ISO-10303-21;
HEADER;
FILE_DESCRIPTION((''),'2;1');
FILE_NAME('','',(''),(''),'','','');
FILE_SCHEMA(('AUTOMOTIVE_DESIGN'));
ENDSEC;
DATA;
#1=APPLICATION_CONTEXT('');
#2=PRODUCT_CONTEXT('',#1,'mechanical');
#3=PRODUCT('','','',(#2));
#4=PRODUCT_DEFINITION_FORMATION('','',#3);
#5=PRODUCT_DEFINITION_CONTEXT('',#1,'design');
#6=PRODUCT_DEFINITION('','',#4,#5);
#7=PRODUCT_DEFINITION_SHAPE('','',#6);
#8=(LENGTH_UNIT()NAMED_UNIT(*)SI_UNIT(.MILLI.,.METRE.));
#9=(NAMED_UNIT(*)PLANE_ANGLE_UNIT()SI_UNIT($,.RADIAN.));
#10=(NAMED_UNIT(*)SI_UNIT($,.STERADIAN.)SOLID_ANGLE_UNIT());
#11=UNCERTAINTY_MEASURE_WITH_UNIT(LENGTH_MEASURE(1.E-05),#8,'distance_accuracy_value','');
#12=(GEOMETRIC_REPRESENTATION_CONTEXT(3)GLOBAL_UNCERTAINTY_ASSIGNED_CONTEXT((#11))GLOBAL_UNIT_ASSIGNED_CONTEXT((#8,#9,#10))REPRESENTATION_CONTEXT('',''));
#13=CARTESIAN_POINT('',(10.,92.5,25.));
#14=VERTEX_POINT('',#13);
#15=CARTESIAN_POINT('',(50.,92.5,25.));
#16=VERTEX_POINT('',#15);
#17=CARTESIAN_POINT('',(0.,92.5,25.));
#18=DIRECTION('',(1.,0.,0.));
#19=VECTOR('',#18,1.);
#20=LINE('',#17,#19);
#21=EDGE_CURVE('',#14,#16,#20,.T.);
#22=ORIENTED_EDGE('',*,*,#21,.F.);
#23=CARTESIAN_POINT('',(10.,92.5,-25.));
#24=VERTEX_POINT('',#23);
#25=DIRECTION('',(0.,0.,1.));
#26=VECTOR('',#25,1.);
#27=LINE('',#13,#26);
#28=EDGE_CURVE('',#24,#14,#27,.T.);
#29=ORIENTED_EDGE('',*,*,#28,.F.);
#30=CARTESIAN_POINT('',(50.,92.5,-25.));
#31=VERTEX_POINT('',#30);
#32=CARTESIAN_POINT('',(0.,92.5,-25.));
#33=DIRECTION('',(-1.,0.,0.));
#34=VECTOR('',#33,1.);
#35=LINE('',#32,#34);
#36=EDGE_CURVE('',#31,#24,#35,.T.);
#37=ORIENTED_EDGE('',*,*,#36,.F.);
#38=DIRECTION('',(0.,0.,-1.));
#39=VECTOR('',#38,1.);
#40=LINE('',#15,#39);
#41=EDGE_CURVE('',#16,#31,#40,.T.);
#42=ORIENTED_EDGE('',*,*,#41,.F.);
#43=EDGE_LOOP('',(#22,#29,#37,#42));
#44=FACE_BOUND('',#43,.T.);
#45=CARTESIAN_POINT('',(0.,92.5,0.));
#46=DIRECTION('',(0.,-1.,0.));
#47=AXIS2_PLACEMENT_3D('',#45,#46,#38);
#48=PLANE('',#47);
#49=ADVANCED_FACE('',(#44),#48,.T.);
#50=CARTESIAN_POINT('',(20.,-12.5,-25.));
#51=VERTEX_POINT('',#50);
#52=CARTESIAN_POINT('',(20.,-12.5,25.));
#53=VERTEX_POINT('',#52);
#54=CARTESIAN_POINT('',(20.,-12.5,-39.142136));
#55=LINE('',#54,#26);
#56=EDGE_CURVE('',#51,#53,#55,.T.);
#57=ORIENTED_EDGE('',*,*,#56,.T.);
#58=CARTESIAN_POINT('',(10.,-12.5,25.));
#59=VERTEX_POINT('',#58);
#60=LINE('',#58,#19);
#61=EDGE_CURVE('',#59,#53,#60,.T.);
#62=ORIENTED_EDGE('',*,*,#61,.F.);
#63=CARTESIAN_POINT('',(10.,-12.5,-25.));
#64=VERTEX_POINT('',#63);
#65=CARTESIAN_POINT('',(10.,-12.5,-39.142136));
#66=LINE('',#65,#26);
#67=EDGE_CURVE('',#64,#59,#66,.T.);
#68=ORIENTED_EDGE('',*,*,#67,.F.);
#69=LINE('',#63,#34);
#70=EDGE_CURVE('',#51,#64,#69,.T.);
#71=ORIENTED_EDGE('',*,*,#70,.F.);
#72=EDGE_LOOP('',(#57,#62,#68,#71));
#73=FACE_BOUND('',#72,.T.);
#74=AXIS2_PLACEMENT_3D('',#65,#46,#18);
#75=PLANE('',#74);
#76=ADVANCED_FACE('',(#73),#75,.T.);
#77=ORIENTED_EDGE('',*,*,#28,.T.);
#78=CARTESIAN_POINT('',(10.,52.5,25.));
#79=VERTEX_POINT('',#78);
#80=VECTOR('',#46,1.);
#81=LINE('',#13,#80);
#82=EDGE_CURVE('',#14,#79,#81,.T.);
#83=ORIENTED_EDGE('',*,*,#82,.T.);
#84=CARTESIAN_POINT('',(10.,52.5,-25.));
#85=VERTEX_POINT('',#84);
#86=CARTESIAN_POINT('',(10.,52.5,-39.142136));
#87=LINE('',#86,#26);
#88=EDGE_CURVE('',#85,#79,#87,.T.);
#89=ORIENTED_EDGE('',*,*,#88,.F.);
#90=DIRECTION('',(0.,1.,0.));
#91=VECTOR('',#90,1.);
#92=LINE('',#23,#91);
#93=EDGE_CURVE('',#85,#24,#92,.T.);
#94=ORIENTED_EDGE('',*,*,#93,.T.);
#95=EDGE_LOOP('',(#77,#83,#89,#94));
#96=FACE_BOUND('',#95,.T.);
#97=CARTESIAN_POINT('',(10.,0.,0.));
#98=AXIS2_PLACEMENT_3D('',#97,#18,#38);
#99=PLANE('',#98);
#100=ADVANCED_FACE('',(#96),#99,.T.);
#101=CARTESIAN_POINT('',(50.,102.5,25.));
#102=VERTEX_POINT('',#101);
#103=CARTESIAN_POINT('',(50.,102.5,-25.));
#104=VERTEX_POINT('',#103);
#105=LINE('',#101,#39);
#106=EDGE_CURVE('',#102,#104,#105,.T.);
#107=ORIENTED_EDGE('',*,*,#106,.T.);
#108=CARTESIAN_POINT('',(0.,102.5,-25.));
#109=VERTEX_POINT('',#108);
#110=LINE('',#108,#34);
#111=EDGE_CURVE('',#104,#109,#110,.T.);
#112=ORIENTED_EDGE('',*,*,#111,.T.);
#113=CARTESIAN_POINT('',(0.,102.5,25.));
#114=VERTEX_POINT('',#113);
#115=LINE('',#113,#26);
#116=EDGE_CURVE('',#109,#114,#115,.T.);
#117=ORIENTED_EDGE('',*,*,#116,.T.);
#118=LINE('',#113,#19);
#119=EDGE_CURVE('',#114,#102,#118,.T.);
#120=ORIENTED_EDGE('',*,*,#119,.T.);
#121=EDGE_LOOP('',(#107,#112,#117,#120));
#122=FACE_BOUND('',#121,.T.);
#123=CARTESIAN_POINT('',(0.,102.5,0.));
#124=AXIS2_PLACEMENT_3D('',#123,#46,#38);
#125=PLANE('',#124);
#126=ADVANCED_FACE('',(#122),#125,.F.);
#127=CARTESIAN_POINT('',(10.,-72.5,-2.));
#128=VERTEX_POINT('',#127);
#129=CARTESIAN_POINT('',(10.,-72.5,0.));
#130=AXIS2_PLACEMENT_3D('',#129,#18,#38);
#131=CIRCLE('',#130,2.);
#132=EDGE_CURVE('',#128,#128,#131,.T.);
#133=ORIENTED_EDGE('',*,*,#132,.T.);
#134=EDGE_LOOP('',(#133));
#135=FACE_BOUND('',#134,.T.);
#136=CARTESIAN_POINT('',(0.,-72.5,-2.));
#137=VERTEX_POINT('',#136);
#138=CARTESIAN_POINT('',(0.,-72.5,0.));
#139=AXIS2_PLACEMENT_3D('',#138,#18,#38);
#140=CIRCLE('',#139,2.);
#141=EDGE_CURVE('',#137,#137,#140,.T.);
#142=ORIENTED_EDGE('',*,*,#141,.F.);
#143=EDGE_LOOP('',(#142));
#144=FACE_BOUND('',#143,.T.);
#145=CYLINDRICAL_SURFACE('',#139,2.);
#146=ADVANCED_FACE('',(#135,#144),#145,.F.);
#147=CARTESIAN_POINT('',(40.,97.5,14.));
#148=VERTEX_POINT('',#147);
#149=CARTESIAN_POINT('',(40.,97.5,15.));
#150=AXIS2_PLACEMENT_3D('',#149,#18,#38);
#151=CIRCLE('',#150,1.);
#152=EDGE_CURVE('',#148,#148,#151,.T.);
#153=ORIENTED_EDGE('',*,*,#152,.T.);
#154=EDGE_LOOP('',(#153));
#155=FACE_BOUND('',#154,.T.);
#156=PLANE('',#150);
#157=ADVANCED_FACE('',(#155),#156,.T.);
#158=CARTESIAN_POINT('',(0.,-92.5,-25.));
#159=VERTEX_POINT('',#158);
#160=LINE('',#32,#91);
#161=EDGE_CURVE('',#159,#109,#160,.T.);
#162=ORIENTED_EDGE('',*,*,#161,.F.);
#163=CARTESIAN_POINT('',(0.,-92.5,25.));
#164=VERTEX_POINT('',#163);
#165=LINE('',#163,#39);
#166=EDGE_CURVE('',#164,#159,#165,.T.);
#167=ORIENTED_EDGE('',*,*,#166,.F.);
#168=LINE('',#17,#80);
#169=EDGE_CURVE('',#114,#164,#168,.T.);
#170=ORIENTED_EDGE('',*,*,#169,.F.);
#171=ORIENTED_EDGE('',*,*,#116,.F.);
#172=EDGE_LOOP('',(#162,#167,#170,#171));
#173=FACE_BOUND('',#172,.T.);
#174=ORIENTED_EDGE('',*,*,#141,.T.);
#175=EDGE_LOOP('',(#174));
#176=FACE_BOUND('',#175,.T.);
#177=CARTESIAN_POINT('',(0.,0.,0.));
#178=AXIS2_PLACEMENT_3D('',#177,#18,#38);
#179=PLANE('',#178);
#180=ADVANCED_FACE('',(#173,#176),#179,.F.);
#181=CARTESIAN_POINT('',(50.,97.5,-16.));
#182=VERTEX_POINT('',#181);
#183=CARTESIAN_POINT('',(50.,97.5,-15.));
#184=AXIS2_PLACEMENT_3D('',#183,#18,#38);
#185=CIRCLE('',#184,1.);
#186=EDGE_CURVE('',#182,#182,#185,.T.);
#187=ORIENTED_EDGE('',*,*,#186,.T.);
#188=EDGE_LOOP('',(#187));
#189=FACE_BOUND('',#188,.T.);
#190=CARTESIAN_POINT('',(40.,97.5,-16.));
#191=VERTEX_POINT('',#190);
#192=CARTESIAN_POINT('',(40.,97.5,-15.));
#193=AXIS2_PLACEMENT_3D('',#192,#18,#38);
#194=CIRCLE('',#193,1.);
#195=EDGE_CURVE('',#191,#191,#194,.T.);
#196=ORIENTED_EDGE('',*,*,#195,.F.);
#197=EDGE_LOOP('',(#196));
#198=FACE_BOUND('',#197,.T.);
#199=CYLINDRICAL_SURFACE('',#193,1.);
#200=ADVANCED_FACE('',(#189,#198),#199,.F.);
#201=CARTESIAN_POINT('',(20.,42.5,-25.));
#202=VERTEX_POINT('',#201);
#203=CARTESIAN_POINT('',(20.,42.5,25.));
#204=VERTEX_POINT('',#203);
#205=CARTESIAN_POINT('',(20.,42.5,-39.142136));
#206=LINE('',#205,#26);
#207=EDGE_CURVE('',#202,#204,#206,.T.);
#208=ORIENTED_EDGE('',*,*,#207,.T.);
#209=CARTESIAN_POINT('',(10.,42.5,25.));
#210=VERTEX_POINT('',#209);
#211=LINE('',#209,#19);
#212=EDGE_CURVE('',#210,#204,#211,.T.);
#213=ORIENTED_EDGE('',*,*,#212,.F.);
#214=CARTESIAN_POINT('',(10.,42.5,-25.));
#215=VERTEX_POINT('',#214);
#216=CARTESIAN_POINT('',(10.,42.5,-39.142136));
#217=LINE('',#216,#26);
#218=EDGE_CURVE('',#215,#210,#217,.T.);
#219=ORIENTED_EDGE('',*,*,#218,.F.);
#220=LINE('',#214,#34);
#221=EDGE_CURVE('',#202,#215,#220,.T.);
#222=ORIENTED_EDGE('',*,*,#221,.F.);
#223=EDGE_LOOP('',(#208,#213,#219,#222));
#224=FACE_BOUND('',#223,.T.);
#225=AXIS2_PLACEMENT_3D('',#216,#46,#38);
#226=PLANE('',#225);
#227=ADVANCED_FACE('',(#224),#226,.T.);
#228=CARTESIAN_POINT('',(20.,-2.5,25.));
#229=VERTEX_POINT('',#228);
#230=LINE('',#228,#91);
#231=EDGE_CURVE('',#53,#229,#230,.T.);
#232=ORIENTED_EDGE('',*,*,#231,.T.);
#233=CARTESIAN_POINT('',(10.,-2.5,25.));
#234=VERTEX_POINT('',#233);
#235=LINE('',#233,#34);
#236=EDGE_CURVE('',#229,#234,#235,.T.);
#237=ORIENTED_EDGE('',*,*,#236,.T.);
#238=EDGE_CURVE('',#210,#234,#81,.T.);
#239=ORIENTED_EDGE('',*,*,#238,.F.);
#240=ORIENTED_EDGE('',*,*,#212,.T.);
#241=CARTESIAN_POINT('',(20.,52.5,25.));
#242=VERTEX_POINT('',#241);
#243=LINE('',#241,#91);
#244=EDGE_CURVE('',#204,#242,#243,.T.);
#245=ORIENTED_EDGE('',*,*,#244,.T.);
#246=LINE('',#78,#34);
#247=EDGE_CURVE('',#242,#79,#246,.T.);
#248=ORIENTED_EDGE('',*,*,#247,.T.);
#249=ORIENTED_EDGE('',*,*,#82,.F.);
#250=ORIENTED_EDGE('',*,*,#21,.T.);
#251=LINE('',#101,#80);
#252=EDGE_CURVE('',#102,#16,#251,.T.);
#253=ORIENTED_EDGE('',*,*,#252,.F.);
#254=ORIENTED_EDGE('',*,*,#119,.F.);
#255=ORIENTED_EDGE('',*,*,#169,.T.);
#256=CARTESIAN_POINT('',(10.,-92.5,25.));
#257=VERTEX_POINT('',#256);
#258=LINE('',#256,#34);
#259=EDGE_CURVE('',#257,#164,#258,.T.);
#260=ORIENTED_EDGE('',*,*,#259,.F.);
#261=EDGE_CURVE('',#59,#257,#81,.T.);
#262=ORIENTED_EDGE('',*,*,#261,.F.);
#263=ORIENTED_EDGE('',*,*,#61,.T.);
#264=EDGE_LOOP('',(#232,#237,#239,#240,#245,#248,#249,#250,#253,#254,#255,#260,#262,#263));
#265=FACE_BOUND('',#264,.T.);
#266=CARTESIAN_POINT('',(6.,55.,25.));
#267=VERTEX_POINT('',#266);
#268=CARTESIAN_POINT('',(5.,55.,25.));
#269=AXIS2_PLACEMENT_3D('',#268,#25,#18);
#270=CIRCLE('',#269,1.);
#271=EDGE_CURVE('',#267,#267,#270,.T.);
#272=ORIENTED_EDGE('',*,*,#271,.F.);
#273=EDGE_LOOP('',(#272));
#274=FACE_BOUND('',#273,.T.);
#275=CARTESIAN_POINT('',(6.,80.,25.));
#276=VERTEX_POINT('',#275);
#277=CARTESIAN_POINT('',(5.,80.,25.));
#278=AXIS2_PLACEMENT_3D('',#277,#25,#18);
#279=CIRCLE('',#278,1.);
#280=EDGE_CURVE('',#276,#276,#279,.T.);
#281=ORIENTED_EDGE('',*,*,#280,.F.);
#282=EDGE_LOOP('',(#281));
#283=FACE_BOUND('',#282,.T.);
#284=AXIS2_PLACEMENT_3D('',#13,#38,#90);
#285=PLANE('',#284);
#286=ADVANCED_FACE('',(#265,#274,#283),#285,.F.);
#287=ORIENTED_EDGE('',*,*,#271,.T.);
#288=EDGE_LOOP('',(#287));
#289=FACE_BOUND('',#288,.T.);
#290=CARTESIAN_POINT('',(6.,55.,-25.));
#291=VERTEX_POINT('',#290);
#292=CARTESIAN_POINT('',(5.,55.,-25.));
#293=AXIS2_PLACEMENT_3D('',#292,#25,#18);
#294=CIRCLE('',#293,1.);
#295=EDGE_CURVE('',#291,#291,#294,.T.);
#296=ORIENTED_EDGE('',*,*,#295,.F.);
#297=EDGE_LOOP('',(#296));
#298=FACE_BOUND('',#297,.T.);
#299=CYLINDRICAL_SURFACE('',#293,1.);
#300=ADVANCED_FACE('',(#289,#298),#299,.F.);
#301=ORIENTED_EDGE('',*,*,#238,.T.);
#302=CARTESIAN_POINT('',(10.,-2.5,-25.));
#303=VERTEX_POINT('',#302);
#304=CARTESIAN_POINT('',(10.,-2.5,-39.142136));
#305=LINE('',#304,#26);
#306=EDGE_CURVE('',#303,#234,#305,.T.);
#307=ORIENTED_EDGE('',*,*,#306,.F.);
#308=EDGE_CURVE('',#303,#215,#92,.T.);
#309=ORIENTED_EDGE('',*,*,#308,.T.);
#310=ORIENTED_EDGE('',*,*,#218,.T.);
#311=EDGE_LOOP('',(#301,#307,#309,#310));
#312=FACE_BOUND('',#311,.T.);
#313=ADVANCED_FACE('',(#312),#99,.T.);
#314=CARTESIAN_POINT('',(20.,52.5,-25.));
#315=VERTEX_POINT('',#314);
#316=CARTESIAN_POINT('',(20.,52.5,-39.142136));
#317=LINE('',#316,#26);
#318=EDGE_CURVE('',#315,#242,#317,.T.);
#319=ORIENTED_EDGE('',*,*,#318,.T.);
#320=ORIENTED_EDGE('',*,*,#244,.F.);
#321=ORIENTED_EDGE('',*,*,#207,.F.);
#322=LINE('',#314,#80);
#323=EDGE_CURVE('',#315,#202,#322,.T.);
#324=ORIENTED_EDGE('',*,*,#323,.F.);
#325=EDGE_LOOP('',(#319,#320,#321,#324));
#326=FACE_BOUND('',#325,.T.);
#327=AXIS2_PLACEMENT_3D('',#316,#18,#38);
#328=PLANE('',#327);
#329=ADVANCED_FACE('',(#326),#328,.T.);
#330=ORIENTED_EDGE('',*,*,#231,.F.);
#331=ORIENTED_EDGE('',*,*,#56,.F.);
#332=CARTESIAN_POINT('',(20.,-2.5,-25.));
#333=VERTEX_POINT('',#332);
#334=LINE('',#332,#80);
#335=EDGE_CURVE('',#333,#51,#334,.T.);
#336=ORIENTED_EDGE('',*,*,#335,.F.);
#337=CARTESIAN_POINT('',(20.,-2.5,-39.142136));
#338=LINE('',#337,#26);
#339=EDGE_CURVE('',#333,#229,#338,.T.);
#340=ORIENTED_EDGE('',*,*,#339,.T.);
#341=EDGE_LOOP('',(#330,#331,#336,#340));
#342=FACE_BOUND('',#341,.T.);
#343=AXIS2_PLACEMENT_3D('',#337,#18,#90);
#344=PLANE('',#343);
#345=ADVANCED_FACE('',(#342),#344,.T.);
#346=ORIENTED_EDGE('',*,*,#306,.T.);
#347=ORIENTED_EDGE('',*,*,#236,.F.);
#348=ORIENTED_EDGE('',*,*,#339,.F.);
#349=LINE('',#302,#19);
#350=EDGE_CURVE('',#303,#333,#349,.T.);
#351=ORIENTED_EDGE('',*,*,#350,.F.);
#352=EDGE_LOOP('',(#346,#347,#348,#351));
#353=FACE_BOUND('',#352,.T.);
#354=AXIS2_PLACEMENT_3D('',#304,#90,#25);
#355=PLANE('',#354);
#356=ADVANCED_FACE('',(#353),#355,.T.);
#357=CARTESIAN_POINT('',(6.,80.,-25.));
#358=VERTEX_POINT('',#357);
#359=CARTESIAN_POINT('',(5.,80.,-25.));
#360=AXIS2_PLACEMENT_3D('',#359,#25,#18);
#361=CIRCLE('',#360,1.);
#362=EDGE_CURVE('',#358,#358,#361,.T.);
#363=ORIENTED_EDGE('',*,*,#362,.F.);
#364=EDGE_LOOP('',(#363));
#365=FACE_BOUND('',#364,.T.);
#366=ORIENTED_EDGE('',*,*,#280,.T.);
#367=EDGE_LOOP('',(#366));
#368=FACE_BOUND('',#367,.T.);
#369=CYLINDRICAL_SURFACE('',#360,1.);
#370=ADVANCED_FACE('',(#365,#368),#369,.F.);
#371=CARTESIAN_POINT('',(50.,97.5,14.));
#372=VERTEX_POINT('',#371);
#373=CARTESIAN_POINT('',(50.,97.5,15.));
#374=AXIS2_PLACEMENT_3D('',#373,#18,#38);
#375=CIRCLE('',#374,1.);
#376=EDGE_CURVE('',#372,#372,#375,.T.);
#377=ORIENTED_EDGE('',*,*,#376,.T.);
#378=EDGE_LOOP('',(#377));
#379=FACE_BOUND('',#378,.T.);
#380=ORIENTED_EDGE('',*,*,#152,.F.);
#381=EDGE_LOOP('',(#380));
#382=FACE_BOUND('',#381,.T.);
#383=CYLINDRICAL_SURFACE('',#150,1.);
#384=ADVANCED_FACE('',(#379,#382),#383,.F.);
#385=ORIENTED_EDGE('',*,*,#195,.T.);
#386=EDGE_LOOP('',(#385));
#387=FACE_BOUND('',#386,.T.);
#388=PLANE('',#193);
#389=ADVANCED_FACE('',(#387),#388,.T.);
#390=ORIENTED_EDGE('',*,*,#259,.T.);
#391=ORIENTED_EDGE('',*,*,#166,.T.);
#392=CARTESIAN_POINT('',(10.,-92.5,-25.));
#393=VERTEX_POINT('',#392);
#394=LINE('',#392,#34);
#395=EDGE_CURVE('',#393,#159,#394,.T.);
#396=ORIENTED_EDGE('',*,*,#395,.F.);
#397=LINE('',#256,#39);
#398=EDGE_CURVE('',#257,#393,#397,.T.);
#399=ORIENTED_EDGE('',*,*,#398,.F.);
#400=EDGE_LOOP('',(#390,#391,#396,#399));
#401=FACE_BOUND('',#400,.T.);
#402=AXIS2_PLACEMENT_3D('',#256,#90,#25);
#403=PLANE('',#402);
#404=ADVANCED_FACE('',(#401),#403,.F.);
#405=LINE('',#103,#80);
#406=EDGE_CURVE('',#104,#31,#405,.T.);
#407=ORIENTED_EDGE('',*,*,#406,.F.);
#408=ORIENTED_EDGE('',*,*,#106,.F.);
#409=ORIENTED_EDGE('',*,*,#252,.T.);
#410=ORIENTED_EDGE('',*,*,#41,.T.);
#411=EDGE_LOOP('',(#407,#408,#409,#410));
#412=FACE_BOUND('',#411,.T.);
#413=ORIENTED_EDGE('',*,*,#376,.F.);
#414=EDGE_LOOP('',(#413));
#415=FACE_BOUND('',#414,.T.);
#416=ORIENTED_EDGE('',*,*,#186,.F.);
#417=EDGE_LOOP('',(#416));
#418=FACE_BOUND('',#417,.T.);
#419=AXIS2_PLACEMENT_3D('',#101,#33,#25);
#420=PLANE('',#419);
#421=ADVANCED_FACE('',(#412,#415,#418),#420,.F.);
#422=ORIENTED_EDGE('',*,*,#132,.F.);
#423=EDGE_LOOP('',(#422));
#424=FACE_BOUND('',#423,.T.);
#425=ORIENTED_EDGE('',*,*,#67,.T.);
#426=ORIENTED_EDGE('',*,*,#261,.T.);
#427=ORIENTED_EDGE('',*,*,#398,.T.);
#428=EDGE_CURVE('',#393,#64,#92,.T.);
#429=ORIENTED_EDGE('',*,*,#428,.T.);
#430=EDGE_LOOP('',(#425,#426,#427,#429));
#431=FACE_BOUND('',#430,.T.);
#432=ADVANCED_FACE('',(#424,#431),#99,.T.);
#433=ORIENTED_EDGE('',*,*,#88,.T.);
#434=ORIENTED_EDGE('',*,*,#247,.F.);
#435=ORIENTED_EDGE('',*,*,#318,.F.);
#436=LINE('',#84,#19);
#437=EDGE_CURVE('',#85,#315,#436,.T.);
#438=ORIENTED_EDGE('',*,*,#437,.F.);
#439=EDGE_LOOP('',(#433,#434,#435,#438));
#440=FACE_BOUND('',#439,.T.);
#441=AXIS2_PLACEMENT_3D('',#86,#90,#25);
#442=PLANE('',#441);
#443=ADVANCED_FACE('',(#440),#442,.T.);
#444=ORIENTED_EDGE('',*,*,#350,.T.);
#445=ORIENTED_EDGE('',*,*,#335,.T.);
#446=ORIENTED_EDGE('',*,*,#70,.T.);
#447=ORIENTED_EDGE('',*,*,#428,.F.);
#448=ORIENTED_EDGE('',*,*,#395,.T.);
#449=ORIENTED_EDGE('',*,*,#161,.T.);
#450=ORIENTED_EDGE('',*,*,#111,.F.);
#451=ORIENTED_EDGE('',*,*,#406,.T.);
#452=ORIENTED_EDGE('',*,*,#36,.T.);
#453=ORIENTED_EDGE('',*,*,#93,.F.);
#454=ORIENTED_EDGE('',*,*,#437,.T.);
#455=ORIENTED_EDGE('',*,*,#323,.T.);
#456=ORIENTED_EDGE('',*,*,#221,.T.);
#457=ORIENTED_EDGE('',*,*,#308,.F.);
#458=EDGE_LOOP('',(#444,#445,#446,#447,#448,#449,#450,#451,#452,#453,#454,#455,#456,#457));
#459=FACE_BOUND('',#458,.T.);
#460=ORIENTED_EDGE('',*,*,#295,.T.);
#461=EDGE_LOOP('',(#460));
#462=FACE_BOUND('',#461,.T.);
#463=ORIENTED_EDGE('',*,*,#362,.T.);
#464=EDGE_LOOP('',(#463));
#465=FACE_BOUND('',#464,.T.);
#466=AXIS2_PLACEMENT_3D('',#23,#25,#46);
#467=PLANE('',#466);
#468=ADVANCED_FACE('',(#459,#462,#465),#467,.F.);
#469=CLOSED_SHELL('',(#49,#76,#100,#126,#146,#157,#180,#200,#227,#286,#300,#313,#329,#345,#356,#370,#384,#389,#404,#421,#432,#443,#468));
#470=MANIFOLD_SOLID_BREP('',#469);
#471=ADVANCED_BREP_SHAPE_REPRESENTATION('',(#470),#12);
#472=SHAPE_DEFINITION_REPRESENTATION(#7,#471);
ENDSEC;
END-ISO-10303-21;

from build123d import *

# Parameters (mm, degrees)
SKIZZE1_W                       = 50
SKIZZE1_H                       = 185
AUFSATZ_LINEAR_AUSTRAGEN1_DEPTH = 10
SKIZZE3_W                       = 10
SKIZZE3_H                       = 10
AUFSATZ_LINEAR_AUSTRAGEN3_DEPTH = 50
SKIZZE4_R                       = 2
SCHNITT_LINEAR_AUSTRAGEN1_DEPTH = 97.33924434
SKIZZE6_W                       = 50
SKIZZE6_H                       = 50
AUFSATZ_LINEAR_AUSTRAGEN4_DEPTH = 10
SKIZZE7_R                       = 1
SCHNITT_LINEAR_AUSTRAGEN2_DEPTH = 125.524094054
SKIZZE8_R                       = 1
SCHNITT_LINEAR_AUSTRAGEN3_DEPTH = 10


with BuildPart() as part:
    # Skizze1 → Aufsatz-Linear austragen1 (new body)
    with BuildSketch(Plane(origin=(0, 0, 0), x_dir=(0, 0, -1), z_dir=(1, 0, 0))):
        Rectangle(SKIZZE1_W, SKIZZE1_H)
    extrude(amount=AUFSATZ_LINEAR_AUSTRAGEN1_DEPTH)

    # Skizze3 → Aufsatz-Linear austragen3 (add)
    with BuildSketch(Plane.XY.offset(25)):
        with Locations((15, 47.5)):
            Rectangle(SKIZZE3_W, SKIZZE3_H)
        with Locations((15, -7.5)):
            Rectangle(SKIZZE3_W, SKIZZE3_H)
    extrude(amount=-AUFSATZ_LINEAR_AUSTRAGEN3_DEPTH)

    # Skizze4 → Schnitt-Linear austragen1 (cut, through all)
    with BuildSketch(Plane(origin=(10, 0, 0), x_dir=(0, 0, -1), z_dir=(1, 0, 0))):
        with Locations((0, -72.5)):
            Circle(SKIZZE4_R)
    extrude(amount=-SCHNITT_LINEAR_AUSTRAGEN1_DEPTH, mode=Mode.SUBTRACT)

    # Skizze6 → Aufsatz-Linear austragen4 (add)
    with BuildSketch(Plane(origin=(0, 92.5, 0), x_dir=(1, 0, 0), z_dir=(0, 1, 0))):
        with Locations((25, 0)):
            Rectangle(SKIZZE6_W, SKIZZE6_H)
    extrude(amount=AUFSATZ_LINEAR_AUSTRAGEN4_DEPTH)

    # Skizze7 → Schnitt-Linear austragen2 (cut, through all)
    with BuildSketch(Plane.XY.offset(25)):
        with Locations((5, 80)):
            Circle(SKIZZE7_R)
        with Locations((5, 55)):
            Circle(SKIZZE7_R)
    extrude(amount=-SCHNITT_LINEAR_AUSTRAGEN2_DEPTH, mode=Mode.SUBTRACT)

    # Skizze8 → Schnitt-Linear austragen3 (cut)
    with BuildSketch(Plane(origin=(50, 0, 0), x_dir=(0, 0, -1), z_dir=(1, 0, 0))):
        with Locations((-15, 97.5)):
            Circle(SKIZZE8_R)
        with Locations((15, 97.5)):
            Circle(SKIZZE8_R)
    extrude(amount=-SCHNITT_LINEAR_AUSTRAGEN3_DEPTH, mode=Mode.SUBTRACT)


solid = part.part
